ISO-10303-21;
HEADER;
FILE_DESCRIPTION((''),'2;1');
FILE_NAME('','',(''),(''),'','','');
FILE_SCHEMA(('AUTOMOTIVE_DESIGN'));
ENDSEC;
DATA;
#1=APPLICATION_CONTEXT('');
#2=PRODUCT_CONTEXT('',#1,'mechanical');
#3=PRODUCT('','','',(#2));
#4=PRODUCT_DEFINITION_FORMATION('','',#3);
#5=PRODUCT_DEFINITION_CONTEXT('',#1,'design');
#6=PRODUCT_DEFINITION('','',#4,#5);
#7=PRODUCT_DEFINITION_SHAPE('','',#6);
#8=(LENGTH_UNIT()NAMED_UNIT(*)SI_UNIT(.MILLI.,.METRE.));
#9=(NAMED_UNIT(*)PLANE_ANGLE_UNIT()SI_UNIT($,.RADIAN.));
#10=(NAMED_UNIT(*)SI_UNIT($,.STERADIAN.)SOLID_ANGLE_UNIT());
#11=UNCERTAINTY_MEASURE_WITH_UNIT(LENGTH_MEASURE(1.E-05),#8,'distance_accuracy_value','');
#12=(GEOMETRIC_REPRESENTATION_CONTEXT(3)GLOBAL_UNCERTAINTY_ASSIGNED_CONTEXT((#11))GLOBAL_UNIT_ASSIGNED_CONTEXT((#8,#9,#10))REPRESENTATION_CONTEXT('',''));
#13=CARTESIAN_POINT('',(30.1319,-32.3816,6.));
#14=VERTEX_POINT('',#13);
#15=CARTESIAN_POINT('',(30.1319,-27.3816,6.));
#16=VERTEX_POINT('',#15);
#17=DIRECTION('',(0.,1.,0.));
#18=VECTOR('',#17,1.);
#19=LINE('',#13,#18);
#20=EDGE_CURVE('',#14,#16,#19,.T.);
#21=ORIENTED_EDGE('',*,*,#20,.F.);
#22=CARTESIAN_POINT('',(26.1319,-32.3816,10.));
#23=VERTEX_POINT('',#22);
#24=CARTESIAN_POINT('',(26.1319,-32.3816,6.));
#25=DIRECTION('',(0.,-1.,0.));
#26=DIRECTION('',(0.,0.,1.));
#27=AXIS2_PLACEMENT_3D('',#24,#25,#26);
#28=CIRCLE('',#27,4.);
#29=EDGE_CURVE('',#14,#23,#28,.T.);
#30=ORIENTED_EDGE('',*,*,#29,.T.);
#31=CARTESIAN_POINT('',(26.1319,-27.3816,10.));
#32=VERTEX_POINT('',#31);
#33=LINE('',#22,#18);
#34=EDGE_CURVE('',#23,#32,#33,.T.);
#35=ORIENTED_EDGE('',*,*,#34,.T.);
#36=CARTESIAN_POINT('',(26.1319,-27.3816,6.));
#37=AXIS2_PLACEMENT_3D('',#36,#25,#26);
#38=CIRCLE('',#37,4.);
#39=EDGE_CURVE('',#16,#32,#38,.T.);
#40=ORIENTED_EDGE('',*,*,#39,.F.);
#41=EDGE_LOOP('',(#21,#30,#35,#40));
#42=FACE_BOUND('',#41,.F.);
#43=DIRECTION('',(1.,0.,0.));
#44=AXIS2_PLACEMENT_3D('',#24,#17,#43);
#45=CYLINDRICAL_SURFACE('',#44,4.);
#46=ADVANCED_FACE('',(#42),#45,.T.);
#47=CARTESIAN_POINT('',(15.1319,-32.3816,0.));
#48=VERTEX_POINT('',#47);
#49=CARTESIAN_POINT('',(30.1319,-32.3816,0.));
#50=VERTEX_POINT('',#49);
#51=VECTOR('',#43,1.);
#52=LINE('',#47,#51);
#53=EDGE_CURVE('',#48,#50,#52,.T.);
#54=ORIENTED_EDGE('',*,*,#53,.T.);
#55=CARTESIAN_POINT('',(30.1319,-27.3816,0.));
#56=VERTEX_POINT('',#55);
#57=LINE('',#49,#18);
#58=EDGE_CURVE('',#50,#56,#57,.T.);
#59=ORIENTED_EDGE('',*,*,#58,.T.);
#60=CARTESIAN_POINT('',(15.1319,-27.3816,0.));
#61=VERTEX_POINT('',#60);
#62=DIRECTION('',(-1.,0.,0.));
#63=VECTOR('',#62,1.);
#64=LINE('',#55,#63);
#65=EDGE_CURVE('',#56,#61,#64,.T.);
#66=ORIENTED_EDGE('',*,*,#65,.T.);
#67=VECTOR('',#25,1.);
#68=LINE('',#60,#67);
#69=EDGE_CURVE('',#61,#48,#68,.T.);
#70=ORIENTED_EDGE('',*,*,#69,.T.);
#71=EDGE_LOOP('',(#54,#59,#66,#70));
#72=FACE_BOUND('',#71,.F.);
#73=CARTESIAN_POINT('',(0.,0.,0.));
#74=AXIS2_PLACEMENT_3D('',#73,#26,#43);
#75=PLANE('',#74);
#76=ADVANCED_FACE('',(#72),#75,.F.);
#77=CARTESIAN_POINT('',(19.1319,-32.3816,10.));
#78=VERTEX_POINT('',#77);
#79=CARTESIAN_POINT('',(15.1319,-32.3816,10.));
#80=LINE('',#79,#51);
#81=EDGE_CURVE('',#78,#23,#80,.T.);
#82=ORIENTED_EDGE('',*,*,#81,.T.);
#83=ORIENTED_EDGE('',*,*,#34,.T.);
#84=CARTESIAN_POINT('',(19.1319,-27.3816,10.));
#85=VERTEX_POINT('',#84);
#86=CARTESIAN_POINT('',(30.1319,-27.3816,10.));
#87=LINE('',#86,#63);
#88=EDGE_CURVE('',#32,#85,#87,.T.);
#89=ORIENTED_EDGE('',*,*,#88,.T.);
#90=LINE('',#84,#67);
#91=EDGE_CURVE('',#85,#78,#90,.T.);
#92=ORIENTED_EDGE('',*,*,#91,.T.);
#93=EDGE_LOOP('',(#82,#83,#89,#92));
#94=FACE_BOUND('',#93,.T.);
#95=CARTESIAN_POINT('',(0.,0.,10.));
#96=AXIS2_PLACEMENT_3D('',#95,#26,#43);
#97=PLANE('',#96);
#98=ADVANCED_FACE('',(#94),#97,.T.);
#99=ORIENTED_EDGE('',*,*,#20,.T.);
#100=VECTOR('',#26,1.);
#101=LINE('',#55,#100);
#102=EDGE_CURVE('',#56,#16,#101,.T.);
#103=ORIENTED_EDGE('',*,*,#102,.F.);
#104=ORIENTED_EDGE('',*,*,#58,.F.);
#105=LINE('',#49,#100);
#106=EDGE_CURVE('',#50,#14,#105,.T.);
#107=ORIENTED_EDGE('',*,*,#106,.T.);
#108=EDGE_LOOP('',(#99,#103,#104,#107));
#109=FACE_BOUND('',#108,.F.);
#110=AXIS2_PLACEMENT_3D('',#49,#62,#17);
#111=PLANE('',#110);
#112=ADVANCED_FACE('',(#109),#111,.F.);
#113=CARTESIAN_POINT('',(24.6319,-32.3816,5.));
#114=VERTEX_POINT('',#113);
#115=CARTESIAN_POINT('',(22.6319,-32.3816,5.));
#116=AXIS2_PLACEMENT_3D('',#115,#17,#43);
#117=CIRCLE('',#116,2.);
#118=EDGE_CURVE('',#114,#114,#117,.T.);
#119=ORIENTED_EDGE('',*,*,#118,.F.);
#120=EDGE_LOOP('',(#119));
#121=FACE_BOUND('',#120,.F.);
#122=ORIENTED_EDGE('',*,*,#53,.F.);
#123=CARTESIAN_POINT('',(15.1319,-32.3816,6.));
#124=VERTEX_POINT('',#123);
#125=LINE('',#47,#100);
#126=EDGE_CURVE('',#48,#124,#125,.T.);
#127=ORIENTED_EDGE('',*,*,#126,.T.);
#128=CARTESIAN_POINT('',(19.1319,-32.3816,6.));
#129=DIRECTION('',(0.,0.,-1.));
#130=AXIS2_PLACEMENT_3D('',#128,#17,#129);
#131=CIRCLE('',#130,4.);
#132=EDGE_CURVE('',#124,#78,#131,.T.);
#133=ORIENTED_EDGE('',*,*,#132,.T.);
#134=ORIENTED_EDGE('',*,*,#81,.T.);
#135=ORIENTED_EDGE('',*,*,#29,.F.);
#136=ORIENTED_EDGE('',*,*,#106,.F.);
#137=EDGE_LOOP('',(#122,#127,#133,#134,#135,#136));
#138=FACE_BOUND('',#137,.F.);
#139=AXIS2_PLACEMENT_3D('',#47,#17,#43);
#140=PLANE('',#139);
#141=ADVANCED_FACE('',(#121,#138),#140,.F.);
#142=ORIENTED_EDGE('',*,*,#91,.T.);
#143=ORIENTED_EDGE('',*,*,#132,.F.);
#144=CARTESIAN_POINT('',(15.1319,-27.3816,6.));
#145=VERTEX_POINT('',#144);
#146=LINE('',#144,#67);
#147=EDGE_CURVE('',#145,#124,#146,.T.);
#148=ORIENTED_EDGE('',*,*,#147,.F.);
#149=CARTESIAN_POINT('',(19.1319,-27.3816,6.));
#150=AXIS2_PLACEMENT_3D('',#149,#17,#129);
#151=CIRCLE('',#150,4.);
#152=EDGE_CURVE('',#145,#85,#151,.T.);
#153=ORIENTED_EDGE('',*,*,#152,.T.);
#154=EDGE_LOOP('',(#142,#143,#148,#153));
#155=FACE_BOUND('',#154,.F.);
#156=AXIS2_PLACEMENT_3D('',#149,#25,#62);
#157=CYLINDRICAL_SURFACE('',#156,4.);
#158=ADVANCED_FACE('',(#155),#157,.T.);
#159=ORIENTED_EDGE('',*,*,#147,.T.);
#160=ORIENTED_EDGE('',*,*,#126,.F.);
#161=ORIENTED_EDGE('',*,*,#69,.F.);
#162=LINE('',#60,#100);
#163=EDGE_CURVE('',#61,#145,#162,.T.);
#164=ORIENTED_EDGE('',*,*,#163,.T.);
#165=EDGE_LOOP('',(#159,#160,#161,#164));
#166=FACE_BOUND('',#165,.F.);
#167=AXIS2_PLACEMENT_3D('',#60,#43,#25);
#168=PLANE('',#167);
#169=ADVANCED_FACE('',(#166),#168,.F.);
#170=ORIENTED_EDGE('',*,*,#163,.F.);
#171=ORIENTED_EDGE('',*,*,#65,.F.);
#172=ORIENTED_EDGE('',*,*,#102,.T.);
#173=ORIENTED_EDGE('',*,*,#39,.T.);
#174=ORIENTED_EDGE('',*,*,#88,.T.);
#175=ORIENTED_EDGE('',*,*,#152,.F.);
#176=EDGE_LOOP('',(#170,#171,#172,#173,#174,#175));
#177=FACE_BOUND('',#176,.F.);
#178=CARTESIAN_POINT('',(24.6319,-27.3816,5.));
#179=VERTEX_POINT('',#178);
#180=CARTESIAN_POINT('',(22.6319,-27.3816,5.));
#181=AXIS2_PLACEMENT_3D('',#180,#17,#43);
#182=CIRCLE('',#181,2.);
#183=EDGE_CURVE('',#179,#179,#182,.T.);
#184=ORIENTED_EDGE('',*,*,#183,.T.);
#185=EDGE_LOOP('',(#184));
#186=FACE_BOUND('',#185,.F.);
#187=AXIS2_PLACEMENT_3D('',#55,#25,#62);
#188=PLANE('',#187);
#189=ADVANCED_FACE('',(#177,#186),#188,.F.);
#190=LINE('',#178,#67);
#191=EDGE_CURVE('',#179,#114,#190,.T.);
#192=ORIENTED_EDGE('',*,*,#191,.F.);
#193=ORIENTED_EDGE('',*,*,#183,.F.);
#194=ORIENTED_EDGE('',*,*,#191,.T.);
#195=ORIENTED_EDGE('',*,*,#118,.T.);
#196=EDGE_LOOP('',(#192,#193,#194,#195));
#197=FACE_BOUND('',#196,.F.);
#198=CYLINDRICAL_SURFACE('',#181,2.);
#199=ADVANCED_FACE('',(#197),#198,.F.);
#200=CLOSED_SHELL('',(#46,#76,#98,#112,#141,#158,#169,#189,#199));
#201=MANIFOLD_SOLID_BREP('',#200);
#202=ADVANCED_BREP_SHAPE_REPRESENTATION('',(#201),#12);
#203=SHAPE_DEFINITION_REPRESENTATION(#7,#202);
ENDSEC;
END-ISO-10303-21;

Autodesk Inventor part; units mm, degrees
ref_plane "YZ Plane" through (0, 0, 0) normal (1, 0, 0) x (0, 1, 0)
ref_plane "XZ Plane" through (0, 0, 0) normal (0, 1, 0) x (-1, 0, 0)
ref_plane "XY Plane" through (0, 0, 0) normal (0, 0, 1) x (1, 0, 0)
sketch "Sketch1" plane through (0, 0, 0) normal (0, 0, 1) x (1, 0, 0)
  line L0 (30.1319, -27.3816) -> (15.1319, -27.3816)
  line L1 (15.1319, -27.3816) -> (15.1319, -32.3816)
  line L2 (15.1319, -32.3816) -> (30.1319, -32.3816)
  line L3 (30.1319, -32.3816) -> (30.1319, -27.3816)
  point P0 (0, 0)
  dimension "d0" = 15
  dimension "d1" = 5
extrude "Extrusion1" add sketch "Sketch1" along normal blind 10
fillet "Fillet1" radius 4 2 edges at (15.1319, -29.8816, 10) (30.1319, -29.8816, 10)
sketch "Sketch2" plane through (15.1319, -27.3816, 0) normal (0, 1, 0) x (1, 0, 0)
  circle A0 centre (7.5, -5) radius 2
  line L0 (11, -10) -> (4, -10) projected
  line L1 (0, 0) -> (0, -6) projected
  point P0 (-15.1319, 0)
  dimension "d5" = 4
  dimension "d6" = 5
  dimension "d7" = 7.5
extrude "Extrusion2" cut sketch "Sketch2" against normal blind 7.5
thread "Thread1" size "M4x0.7" class "6H" standard "ANSI Metric M Profile" full length
properties part number "víko_držák" material "Aluminum 6061"
